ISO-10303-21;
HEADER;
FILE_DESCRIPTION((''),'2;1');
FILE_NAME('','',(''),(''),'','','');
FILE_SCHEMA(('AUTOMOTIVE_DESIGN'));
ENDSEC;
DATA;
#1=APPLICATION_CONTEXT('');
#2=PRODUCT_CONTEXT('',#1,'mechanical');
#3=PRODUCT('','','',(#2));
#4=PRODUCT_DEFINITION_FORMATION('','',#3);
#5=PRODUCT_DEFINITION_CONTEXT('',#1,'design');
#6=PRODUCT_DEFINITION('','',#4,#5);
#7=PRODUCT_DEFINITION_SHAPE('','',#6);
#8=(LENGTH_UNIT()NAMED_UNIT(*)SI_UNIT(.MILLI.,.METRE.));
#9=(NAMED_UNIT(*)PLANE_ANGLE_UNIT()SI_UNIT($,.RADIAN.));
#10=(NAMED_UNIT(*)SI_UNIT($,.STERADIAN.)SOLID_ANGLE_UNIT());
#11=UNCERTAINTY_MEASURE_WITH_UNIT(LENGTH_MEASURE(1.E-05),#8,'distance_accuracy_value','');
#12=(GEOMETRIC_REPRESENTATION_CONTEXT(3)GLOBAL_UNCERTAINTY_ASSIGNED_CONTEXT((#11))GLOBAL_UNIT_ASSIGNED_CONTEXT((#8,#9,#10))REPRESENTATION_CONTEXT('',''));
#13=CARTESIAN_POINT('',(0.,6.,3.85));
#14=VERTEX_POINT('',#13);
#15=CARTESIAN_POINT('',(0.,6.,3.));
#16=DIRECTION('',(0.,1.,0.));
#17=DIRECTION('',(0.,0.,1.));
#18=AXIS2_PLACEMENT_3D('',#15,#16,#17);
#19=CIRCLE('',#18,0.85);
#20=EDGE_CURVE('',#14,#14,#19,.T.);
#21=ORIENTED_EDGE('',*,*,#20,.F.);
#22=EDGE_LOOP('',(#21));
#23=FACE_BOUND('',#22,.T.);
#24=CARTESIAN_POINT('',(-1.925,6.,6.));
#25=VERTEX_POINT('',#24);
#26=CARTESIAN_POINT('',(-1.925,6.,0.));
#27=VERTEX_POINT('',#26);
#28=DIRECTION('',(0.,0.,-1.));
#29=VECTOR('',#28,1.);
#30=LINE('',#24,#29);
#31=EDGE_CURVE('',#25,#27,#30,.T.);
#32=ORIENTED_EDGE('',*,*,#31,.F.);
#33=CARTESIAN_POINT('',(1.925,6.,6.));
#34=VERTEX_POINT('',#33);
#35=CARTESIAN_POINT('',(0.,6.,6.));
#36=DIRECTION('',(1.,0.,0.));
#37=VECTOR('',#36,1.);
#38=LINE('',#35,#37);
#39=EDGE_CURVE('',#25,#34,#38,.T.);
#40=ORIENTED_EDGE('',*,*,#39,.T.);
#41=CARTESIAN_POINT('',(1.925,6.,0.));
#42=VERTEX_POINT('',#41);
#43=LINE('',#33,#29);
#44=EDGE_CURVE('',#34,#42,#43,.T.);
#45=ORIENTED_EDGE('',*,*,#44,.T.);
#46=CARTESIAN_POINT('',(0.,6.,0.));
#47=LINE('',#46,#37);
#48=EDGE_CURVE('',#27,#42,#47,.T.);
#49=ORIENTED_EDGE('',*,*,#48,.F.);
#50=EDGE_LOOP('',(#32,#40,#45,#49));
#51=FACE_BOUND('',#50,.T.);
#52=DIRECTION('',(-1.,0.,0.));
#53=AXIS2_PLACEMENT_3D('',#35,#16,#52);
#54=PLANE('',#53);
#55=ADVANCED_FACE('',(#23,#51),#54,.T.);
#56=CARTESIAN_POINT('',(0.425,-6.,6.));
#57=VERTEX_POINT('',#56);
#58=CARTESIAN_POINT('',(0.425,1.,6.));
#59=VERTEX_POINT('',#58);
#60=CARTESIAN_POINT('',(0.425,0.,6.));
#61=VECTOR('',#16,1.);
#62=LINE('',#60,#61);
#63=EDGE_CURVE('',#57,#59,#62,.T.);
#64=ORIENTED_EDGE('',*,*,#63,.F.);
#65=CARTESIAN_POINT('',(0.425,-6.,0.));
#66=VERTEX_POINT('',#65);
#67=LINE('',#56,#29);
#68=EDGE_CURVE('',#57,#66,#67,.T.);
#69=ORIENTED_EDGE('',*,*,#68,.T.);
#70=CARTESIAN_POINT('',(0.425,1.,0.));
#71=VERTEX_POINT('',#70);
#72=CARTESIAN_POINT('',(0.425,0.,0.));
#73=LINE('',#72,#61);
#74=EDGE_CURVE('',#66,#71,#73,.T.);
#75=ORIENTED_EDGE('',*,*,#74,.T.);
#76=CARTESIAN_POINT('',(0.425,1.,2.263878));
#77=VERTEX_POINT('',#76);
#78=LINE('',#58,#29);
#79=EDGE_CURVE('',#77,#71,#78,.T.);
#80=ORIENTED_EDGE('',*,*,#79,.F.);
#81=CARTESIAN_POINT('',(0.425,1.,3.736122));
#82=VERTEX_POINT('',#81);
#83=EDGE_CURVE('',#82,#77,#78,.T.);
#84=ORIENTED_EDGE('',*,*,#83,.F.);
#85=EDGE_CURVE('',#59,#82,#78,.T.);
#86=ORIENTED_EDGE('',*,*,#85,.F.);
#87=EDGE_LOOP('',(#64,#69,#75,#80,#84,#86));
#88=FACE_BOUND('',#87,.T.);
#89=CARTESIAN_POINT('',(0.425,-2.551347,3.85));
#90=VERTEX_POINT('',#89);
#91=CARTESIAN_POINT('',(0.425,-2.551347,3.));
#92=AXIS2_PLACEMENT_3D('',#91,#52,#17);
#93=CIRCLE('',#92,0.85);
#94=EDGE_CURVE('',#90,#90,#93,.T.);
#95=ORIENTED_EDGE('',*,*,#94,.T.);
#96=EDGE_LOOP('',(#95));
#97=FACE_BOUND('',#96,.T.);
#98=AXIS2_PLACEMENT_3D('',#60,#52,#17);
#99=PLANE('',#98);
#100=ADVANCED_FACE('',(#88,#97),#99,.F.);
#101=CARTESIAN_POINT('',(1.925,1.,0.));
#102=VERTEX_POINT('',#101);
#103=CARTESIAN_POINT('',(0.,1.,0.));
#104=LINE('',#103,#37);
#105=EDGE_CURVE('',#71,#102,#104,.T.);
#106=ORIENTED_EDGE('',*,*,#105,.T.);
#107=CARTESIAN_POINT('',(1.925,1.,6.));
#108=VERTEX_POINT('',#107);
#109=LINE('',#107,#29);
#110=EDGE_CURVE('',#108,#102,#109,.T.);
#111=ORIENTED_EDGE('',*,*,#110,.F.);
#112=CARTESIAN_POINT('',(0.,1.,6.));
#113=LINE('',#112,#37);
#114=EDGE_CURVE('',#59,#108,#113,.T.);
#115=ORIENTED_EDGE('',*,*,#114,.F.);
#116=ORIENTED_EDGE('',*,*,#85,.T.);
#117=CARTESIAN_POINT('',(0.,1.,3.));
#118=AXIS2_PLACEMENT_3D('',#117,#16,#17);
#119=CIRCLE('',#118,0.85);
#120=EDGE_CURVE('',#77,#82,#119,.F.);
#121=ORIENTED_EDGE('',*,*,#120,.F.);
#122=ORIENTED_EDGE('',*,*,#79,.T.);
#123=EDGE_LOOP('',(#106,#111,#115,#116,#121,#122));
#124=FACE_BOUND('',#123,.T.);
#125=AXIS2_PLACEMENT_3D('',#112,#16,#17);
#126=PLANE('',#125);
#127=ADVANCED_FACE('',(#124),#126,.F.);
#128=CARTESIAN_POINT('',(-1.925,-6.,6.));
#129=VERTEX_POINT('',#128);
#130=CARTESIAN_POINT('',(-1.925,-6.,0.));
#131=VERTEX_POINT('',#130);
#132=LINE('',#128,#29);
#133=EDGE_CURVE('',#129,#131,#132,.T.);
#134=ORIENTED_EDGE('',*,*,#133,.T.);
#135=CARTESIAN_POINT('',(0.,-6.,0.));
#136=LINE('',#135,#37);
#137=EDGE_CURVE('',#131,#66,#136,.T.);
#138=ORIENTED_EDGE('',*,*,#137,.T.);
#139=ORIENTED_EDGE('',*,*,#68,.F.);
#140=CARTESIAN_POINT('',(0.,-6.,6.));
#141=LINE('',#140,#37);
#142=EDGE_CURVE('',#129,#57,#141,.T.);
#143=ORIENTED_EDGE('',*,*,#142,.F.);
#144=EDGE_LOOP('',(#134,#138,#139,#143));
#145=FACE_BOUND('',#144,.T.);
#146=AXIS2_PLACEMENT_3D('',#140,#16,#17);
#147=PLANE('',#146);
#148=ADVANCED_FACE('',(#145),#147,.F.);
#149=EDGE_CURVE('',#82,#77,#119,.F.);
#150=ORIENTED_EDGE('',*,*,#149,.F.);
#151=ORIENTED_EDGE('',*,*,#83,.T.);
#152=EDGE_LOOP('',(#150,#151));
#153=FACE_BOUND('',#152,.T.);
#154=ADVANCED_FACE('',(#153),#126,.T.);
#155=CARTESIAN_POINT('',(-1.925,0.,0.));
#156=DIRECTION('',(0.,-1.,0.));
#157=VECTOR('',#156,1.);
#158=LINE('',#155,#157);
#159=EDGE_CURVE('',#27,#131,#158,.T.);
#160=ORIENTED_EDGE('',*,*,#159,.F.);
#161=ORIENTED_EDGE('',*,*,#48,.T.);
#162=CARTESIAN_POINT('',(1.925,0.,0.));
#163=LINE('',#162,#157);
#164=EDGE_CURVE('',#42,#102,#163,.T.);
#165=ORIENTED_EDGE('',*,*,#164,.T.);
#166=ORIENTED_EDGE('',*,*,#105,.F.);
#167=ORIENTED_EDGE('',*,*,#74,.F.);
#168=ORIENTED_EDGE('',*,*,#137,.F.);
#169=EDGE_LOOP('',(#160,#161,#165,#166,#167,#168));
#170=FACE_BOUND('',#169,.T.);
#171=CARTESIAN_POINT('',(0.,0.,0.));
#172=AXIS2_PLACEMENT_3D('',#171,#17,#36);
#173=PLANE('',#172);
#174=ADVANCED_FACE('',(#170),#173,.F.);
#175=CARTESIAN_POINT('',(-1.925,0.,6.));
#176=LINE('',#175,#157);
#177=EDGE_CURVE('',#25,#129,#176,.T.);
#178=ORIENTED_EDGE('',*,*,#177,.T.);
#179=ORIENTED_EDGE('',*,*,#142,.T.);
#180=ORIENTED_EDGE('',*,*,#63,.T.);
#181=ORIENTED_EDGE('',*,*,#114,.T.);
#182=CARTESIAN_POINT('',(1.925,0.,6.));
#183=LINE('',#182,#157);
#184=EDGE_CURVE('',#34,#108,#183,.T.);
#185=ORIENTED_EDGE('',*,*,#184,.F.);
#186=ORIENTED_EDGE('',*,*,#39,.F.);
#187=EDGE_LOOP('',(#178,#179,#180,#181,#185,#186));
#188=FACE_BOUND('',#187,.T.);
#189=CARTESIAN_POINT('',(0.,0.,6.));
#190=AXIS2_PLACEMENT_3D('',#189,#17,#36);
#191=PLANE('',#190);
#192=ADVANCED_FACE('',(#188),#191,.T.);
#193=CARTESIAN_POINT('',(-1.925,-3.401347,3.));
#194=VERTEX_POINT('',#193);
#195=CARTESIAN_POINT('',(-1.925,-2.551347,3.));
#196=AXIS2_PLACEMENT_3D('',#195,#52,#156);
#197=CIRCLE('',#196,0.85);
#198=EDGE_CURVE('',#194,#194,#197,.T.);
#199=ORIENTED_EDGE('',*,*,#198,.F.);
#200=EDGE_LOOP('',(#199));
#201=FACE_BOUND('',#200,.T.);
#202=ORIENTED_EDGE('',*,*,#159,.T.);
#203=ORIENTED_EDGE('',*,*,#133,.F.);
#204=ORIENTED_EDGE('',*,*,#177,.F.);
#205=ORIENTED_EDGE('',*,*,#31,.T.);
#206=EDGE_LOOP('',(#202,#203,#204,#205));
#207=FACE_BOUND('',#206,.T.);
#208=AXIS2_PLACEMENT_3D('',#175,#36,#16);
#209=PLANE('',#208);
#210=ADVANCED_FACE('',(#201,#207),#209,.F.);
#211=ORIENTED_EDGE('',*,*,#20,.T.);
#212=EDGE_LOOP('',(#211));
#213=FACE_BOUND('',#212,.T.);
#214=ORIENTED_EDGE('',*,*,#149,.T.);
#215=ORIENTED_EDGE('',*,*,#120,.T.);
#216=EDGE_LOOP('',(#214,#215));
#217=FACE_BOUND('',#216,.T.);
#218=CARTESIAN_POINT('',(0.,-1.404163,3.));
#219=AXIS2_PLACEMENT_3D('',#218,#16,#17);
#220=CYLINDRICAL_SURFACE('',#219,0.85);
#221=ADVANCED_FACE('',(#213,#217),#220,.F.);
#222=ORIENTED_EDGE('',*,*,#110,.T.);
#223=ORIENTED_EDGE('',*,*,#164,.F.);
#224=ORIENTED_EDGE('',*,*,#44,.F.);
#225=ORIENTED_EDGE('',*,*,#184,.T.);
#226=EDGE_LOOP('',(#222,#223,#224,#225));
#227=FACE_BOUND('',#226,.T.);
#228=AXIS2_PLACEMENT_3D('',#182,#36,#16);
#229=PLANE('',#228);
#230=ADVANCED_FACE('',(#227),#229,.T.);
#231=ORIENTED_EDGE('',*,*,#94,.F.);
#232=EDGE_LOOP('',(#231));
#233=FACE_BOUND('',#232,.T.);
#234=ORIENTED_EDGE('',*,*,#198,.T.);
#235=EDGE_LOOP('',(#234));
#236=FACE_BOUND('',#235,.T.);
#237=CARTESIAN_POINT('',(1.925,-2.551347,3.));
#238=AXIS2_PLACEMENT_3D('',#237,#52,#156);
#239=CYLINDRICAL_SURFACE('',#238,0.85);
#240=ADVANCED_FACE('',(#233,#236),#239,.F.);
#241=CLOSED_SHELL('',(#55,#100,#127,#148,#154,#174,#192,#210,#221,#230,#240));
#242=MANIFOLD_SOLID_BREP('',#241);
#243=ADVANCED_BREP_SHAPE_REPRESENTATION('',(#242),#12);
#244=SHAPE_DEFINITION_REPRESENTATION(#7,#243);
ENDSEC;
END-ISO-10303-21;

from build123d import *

# Parameters (mm, degrees)
BOSS_EXTRUDE1_DEPTH = 6
SKETCH2_R           = 0.85
CUT_EXTRUDE1_DEPTH  = 10.317859196
SKETCH3_R           = 0.85
CUT_EXTRUDE2_DEPTH  = 5


with BuildPart() as part:
    # Sketch1 → Boss-Extrude1 (new body)
    with BuildSketch(Plane.XY):
        Polygon((-1.925, -6), (0.425, -6), (0.425, 1), (1.925, 1), (1.925, 6), (-1.925, 6), align=None)
    extrude(amount=BOSS_EXTRUDE1_DEPTH)

    # Sketch2 → Cut-Extrude1 (cut, through all)
    with BuildSketch(Plane.ZY.offset(1.925)):
        with Locations(Location((3, -2.55134747, 0), (0, 0, 270))):
            Circle(SKETCH2_R)
    extrude(amount=-CUT_EXTRUDE1_DEPTH, mode=Mode.SUBTRACT)

    # Sketch3 → Cut-Extrude2 (cut)
    with BuildSketch(Plane(origin=(0, 6, 0), x_dir=(1, 0, 0), z_dir=(0, 1, 0))):
        with Locations(Location((0, -3, 0), (0, 0, 270))):
            Circle(SKETCH3_R)
    extrude(amount=-CUT_EXTRUDE2_DEPTH, mode=Mode.SUBTRACT)


solid = part.part
